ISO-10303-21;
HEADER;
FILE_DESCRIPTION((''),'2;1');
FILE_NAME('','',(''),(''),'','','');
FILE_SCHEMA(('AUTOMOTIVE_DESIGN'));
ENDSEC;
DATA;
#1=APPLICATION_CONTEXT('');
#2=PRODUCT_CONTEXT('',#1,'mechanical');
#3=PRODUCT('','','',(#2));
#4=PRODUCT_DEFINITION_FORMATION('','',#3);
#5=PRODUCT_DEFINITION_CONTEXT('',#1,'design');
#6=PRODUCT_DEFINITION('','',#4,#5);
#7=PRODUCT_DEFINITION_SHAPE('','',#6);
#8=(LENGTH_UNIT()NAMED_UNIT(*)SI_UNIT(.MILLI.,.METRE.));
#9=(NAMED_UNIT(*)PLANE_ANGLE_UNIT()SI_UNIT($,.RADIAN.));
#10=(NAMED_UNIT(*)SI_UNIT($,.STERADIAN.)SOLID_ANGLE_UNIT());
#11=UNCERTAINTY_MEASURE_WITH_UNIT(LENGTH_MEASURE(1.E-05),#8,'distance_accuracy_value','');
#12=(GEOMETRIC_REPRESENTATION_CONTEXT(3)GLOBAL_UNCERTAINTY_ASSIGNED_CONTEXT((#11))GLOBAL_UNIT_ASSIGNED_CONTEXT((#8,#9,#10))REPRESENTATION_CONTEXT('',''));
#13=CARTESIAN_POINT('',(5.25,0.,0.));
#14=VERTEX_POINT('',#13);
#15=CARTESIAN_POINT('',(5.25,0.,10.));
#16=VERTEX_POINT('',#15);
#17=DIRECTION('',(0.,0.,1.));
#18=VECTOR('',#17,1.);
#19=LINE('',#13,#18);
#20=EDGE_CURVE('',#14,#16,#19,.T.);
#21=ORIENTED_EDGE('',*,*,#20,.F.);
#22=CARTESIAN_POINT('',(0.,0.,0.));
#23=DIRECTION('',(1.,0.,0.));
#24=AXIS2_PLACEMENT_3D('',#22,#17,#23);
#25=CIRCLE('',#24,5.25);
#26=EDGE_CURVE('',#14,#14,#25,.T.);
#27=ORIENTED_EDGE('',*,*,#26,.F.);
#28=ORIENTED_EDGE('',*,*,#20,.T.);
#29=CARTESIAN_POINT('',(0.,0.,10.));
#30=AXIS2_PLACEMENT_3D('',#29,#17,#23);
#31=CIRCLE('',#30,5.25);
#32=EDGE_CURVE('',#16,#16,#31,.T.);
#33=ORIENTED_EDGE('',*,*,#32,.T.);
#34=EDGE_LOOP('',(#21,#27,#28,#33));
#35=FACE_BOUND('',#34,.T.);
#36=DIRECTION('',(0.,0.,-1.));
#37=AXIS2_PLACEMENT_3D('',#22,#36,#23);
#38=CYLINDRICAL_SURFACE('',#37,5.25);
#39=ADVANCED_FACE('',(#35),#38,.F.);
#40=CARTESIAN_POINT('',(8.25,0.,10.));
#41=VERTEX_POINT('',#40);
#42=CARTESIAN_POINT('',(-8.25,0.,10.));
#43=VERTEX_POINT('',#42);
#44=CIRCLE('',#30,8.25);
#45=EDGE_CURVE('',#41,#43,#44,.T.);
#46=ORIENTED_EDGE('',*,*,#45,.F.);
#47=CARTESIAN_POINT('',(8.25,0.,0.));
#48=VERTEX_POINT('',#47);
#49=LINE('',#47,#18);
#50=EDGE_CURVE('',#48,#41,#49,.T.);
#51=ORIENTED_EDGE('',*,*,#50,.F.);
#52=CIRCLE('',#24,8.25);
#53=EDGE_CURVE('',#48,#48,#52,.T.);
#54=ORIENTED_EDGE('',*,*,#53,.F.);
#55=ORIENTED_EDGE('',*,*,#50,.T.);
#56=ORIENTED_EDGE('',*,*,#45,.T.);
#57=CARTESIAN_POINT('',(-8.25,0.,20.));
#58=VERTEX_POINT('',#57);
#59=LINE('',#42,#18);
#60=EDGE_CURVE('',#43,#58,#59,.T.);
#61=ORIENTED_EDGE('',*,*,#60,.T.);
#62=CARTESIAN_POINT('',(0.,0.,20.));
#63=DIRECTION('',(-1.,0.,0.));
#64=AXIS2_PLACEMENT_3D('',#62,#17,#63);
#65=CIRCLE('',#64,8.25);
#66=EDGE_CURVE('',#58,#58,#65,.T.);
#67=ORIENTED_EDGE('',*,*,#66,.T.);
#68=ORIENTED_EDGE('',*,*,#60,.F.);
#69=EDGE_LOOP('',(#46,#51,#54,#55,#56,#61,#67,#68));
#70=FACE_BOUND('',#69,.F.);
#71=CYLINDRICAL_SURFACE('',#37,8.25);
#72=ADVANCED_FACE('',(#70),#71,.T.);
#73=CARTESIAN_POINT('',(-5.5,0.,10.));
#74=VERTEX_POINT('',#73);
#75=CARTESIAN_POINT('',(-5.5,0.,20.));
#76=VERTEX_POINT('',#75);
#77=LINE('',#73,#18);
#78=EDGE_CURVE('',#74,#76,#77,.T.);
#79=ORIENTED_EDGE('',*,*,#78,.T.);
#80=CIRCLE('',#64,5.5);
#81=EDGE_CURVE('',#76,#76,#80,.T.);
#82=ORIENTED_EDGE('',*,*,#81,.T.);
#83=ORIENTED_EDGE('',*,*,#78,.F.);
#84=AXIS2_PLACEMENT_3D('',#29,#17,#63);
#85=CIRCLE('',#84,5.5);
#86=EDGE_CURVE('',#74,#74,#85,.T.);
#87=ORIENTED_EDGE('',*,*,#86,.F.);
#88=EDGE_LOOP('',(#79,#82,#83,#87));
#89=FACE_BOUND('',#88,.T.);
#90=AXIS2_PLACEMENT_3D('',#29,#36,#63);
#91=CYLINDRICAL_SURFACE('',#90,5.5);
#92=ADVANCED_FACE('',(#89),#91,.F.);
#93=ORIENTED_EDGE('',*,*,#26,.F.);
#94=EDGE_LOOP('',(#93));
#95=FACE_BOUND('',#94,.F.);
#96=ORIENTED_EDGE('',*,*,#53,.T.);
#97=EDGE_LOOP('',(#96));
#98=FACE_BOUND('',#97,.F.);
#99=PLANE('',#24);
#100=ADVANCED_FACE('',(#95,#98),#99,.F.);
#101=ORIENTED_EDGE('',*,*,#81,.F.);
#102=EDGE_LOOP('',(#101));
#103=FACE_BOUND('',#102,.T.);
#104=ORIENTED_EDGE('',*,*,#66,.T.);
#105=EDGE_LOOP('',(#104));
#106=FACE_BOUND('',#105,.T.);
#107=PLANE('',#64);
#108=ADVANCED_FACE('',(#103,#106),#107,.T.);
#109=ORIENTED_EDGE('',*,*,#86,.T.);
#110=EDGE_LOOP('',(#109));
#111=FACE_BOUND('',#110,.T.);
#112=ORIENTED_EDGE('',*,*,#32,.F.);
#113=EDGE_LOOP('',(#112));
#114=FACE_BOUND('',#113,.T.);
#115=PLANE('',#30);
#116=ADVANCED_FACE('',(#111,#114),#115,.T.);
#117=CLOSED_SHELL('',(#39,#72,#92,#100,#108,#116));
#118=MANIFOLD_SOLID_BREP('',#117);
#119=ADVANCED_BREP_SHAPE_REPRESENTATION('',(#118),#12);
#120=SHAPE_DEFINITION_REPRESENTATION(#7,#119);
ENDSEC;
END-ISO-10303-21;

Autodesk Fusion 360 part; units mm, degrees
sketch "Sketch1" plane through (0, 0, 0) normal (0, 0, 1) x (1, 0, 0)
  circle A0 centre (0, 0) radius 5.25
  circle A1 centre (0, 0) radius 8.25
  dimension "d1" = 10.5
  dimension "d2" = 3
extrude "Extrude1" add sketch "Sketch1" along normal blind 10
sketch "Sketch2" plane through (0, 0, 10) normal (0, 0, 1) x (-1, 0, 0)
  circle A0 centre (0, 0) radius 5.25
  circle A1 centre (0, 0) radius 8.25
  circle A2 centre (0, 0) radius 5.5
  circle A3 centre (0, 0) radius 8.25
  dimension "d5" = 11
extrude "Extrude2" add sketch "Sketch2" along normal blind 10 contours A1 A3
